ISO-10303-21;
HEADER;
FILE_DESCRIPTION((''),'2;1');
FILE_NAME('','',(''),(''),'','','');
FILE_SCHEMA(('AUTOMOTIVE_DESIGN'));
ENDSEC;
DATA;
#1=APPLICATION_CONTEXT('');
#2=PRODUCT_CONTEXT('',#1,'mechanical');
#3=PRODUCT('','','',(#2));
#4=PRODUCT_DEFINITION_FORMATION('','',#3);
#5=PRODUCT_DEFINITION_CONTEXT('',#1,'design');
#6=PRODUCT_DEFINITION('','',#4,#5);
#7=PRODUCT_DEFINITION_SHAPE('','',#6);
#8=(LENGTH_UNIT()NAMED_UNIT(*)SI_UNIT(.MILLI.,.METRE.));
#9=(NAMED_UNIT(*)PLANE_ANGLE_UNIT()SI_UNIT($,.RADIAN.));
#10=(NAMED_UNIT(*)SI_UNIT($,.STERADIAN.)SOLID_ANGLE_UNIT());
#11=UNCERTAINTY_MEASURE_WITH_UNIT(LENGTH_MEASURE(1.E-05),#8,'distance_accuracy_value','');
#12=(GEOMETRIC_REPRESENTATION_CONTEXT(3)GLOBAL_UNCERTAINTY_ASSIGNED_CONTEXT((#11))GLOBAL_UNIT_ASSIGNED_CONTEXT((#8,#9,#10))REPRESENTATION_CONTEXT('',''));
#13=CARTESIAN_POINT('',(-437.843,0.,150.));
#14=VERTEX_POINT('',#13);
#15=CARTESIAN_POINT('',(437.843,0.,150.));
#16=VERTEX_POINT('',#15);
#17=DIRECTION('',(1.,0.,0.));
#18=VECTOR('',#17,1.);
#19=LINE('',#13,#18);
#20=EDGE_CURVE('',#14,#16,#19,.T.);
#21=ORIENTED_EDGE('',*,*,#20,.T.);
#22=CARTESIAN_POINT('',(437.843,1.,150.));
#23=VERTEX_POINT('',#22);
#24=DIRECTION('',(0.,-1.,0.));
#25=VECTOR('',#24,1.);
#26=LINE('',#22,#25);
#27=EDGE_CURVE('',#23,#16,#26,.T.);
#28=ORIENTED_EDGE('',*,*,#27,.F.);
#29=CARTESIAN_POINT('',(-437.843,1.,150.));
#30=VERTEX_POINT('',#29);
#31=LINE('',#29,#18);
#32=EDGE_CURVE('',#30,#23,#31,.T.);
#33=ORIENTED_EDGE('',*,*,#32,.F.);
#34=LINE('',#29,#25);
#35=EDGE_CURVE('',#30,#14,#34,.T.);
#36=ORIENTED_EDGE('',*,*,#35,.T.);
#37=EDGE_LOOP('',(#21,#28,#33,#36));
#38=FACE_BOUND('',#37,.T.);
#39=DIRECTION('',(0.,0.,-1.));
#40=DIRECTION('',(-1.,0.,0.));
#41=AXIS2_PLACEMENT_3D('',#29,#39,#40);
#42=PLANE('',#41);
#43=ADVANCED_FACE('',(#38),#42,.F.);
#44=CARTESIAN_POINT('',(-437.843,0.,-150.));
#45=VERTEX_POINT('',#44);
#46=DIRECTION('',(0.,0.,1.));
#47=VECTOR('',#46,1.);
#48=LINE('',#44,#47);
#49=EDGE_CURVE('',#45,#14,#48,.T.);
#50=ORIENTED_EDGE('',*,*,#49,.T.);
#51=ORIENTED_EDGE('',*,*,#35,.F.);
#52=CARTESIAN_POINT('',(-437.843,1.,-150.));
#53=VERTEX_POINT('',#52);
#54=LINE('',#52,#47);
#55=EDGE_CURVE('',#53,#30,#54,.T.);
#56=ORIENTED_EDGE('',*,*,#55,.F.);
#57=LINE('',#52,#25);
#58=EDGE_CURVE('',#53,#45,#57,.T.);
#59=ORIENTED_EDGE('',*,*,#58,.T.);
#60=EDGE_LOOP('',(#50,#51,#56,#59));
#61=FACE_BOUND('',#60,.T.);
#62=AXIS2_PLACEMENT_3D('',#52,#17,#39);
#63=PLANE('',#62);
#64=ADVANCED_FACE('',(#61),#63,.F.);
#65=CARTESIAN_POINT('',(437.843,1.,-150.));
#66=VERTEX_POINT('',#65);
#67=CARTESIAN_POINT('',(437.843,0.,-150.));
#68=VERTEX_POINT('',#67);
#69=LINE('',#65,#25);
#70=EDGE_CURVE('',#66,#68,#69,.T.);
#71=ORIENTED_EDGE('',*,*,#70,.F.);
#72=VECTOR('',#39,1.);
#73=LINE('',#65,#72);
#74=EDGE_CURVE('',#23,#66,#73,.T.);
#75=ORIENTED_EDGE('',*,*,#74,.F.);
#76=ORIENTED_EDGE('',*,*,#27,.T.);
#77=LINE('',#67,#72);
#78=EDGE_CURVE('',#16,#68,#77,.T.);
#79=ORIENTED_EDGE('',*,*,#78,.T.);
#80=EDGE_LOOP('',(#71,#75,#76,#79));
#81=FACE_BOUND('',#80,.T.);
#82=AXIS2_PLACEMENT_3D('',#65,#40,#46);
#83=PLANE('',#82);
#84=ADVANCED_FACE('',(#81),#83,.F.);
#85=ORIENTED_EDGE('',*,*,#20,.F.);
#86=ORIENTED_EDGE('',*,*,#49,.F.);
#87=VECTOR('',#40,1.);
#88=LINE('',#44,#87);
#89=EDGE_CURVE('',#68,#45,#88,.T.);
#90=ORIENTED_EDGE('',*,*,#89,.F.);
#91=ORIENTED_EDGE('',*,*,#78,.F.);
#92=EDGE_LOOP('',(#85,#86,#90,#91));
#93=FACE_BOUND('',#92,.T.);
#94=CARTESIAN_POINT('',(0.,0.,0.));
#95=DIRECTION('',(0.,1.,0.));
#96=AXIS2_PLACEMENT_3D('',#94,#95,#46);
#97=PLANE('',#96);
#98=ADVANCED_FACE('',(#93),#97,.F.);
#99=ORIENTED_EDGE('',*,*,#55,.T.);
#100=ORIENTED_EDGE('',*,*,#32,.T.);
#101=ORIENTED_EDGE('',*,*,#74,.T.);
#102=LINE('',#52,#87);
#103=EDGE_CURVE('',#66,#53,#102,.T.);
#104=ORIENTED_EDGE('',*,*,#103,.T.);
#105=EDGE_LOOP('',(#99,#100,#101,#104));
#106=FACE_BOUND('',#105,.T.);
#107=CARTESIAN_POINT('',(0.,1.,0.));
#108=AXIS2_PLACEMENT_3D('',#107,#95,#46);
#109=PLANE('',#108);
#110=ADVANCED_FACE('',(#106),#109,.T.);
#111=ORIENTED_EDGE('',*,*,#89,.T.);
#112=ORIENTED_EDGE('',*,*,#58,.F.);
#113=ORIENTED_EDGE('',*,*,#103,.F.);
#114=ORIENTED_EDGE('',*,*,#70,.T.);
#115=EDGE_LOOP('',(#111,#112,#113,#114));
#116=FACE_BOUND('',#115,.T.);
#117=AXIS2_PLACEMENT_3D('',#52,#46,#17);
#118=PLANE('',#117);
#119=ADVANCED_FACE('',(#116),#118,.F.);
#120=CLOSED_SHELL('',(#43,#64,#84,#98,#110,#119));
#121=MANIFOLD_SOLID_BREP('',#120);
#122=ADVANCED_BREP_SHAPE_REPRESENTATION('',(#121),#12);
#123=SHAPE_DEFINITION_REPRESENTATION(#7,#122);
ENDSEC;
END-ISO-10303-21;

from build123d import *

# Parameters (mm, degrees)
SKETCH1_W           = 875.686
SKETCH1_H           = 300
BOSS_EXTRUDE1_DEPTH = 1


with BuildPart() as part:
    # Sketch1 → Boss-Extrude1 (new body)
    with BuildSketch(Plane(origin=(0, 0, 0), x_dir=(1, 0, 0), z_dir=(0, 1, 0))):
        Rectangle(SKETCH1_W, SKETCH1_H)
    extrude(amount=BOSS_EXTRUDE1_DEPTH)


solid = part.part
